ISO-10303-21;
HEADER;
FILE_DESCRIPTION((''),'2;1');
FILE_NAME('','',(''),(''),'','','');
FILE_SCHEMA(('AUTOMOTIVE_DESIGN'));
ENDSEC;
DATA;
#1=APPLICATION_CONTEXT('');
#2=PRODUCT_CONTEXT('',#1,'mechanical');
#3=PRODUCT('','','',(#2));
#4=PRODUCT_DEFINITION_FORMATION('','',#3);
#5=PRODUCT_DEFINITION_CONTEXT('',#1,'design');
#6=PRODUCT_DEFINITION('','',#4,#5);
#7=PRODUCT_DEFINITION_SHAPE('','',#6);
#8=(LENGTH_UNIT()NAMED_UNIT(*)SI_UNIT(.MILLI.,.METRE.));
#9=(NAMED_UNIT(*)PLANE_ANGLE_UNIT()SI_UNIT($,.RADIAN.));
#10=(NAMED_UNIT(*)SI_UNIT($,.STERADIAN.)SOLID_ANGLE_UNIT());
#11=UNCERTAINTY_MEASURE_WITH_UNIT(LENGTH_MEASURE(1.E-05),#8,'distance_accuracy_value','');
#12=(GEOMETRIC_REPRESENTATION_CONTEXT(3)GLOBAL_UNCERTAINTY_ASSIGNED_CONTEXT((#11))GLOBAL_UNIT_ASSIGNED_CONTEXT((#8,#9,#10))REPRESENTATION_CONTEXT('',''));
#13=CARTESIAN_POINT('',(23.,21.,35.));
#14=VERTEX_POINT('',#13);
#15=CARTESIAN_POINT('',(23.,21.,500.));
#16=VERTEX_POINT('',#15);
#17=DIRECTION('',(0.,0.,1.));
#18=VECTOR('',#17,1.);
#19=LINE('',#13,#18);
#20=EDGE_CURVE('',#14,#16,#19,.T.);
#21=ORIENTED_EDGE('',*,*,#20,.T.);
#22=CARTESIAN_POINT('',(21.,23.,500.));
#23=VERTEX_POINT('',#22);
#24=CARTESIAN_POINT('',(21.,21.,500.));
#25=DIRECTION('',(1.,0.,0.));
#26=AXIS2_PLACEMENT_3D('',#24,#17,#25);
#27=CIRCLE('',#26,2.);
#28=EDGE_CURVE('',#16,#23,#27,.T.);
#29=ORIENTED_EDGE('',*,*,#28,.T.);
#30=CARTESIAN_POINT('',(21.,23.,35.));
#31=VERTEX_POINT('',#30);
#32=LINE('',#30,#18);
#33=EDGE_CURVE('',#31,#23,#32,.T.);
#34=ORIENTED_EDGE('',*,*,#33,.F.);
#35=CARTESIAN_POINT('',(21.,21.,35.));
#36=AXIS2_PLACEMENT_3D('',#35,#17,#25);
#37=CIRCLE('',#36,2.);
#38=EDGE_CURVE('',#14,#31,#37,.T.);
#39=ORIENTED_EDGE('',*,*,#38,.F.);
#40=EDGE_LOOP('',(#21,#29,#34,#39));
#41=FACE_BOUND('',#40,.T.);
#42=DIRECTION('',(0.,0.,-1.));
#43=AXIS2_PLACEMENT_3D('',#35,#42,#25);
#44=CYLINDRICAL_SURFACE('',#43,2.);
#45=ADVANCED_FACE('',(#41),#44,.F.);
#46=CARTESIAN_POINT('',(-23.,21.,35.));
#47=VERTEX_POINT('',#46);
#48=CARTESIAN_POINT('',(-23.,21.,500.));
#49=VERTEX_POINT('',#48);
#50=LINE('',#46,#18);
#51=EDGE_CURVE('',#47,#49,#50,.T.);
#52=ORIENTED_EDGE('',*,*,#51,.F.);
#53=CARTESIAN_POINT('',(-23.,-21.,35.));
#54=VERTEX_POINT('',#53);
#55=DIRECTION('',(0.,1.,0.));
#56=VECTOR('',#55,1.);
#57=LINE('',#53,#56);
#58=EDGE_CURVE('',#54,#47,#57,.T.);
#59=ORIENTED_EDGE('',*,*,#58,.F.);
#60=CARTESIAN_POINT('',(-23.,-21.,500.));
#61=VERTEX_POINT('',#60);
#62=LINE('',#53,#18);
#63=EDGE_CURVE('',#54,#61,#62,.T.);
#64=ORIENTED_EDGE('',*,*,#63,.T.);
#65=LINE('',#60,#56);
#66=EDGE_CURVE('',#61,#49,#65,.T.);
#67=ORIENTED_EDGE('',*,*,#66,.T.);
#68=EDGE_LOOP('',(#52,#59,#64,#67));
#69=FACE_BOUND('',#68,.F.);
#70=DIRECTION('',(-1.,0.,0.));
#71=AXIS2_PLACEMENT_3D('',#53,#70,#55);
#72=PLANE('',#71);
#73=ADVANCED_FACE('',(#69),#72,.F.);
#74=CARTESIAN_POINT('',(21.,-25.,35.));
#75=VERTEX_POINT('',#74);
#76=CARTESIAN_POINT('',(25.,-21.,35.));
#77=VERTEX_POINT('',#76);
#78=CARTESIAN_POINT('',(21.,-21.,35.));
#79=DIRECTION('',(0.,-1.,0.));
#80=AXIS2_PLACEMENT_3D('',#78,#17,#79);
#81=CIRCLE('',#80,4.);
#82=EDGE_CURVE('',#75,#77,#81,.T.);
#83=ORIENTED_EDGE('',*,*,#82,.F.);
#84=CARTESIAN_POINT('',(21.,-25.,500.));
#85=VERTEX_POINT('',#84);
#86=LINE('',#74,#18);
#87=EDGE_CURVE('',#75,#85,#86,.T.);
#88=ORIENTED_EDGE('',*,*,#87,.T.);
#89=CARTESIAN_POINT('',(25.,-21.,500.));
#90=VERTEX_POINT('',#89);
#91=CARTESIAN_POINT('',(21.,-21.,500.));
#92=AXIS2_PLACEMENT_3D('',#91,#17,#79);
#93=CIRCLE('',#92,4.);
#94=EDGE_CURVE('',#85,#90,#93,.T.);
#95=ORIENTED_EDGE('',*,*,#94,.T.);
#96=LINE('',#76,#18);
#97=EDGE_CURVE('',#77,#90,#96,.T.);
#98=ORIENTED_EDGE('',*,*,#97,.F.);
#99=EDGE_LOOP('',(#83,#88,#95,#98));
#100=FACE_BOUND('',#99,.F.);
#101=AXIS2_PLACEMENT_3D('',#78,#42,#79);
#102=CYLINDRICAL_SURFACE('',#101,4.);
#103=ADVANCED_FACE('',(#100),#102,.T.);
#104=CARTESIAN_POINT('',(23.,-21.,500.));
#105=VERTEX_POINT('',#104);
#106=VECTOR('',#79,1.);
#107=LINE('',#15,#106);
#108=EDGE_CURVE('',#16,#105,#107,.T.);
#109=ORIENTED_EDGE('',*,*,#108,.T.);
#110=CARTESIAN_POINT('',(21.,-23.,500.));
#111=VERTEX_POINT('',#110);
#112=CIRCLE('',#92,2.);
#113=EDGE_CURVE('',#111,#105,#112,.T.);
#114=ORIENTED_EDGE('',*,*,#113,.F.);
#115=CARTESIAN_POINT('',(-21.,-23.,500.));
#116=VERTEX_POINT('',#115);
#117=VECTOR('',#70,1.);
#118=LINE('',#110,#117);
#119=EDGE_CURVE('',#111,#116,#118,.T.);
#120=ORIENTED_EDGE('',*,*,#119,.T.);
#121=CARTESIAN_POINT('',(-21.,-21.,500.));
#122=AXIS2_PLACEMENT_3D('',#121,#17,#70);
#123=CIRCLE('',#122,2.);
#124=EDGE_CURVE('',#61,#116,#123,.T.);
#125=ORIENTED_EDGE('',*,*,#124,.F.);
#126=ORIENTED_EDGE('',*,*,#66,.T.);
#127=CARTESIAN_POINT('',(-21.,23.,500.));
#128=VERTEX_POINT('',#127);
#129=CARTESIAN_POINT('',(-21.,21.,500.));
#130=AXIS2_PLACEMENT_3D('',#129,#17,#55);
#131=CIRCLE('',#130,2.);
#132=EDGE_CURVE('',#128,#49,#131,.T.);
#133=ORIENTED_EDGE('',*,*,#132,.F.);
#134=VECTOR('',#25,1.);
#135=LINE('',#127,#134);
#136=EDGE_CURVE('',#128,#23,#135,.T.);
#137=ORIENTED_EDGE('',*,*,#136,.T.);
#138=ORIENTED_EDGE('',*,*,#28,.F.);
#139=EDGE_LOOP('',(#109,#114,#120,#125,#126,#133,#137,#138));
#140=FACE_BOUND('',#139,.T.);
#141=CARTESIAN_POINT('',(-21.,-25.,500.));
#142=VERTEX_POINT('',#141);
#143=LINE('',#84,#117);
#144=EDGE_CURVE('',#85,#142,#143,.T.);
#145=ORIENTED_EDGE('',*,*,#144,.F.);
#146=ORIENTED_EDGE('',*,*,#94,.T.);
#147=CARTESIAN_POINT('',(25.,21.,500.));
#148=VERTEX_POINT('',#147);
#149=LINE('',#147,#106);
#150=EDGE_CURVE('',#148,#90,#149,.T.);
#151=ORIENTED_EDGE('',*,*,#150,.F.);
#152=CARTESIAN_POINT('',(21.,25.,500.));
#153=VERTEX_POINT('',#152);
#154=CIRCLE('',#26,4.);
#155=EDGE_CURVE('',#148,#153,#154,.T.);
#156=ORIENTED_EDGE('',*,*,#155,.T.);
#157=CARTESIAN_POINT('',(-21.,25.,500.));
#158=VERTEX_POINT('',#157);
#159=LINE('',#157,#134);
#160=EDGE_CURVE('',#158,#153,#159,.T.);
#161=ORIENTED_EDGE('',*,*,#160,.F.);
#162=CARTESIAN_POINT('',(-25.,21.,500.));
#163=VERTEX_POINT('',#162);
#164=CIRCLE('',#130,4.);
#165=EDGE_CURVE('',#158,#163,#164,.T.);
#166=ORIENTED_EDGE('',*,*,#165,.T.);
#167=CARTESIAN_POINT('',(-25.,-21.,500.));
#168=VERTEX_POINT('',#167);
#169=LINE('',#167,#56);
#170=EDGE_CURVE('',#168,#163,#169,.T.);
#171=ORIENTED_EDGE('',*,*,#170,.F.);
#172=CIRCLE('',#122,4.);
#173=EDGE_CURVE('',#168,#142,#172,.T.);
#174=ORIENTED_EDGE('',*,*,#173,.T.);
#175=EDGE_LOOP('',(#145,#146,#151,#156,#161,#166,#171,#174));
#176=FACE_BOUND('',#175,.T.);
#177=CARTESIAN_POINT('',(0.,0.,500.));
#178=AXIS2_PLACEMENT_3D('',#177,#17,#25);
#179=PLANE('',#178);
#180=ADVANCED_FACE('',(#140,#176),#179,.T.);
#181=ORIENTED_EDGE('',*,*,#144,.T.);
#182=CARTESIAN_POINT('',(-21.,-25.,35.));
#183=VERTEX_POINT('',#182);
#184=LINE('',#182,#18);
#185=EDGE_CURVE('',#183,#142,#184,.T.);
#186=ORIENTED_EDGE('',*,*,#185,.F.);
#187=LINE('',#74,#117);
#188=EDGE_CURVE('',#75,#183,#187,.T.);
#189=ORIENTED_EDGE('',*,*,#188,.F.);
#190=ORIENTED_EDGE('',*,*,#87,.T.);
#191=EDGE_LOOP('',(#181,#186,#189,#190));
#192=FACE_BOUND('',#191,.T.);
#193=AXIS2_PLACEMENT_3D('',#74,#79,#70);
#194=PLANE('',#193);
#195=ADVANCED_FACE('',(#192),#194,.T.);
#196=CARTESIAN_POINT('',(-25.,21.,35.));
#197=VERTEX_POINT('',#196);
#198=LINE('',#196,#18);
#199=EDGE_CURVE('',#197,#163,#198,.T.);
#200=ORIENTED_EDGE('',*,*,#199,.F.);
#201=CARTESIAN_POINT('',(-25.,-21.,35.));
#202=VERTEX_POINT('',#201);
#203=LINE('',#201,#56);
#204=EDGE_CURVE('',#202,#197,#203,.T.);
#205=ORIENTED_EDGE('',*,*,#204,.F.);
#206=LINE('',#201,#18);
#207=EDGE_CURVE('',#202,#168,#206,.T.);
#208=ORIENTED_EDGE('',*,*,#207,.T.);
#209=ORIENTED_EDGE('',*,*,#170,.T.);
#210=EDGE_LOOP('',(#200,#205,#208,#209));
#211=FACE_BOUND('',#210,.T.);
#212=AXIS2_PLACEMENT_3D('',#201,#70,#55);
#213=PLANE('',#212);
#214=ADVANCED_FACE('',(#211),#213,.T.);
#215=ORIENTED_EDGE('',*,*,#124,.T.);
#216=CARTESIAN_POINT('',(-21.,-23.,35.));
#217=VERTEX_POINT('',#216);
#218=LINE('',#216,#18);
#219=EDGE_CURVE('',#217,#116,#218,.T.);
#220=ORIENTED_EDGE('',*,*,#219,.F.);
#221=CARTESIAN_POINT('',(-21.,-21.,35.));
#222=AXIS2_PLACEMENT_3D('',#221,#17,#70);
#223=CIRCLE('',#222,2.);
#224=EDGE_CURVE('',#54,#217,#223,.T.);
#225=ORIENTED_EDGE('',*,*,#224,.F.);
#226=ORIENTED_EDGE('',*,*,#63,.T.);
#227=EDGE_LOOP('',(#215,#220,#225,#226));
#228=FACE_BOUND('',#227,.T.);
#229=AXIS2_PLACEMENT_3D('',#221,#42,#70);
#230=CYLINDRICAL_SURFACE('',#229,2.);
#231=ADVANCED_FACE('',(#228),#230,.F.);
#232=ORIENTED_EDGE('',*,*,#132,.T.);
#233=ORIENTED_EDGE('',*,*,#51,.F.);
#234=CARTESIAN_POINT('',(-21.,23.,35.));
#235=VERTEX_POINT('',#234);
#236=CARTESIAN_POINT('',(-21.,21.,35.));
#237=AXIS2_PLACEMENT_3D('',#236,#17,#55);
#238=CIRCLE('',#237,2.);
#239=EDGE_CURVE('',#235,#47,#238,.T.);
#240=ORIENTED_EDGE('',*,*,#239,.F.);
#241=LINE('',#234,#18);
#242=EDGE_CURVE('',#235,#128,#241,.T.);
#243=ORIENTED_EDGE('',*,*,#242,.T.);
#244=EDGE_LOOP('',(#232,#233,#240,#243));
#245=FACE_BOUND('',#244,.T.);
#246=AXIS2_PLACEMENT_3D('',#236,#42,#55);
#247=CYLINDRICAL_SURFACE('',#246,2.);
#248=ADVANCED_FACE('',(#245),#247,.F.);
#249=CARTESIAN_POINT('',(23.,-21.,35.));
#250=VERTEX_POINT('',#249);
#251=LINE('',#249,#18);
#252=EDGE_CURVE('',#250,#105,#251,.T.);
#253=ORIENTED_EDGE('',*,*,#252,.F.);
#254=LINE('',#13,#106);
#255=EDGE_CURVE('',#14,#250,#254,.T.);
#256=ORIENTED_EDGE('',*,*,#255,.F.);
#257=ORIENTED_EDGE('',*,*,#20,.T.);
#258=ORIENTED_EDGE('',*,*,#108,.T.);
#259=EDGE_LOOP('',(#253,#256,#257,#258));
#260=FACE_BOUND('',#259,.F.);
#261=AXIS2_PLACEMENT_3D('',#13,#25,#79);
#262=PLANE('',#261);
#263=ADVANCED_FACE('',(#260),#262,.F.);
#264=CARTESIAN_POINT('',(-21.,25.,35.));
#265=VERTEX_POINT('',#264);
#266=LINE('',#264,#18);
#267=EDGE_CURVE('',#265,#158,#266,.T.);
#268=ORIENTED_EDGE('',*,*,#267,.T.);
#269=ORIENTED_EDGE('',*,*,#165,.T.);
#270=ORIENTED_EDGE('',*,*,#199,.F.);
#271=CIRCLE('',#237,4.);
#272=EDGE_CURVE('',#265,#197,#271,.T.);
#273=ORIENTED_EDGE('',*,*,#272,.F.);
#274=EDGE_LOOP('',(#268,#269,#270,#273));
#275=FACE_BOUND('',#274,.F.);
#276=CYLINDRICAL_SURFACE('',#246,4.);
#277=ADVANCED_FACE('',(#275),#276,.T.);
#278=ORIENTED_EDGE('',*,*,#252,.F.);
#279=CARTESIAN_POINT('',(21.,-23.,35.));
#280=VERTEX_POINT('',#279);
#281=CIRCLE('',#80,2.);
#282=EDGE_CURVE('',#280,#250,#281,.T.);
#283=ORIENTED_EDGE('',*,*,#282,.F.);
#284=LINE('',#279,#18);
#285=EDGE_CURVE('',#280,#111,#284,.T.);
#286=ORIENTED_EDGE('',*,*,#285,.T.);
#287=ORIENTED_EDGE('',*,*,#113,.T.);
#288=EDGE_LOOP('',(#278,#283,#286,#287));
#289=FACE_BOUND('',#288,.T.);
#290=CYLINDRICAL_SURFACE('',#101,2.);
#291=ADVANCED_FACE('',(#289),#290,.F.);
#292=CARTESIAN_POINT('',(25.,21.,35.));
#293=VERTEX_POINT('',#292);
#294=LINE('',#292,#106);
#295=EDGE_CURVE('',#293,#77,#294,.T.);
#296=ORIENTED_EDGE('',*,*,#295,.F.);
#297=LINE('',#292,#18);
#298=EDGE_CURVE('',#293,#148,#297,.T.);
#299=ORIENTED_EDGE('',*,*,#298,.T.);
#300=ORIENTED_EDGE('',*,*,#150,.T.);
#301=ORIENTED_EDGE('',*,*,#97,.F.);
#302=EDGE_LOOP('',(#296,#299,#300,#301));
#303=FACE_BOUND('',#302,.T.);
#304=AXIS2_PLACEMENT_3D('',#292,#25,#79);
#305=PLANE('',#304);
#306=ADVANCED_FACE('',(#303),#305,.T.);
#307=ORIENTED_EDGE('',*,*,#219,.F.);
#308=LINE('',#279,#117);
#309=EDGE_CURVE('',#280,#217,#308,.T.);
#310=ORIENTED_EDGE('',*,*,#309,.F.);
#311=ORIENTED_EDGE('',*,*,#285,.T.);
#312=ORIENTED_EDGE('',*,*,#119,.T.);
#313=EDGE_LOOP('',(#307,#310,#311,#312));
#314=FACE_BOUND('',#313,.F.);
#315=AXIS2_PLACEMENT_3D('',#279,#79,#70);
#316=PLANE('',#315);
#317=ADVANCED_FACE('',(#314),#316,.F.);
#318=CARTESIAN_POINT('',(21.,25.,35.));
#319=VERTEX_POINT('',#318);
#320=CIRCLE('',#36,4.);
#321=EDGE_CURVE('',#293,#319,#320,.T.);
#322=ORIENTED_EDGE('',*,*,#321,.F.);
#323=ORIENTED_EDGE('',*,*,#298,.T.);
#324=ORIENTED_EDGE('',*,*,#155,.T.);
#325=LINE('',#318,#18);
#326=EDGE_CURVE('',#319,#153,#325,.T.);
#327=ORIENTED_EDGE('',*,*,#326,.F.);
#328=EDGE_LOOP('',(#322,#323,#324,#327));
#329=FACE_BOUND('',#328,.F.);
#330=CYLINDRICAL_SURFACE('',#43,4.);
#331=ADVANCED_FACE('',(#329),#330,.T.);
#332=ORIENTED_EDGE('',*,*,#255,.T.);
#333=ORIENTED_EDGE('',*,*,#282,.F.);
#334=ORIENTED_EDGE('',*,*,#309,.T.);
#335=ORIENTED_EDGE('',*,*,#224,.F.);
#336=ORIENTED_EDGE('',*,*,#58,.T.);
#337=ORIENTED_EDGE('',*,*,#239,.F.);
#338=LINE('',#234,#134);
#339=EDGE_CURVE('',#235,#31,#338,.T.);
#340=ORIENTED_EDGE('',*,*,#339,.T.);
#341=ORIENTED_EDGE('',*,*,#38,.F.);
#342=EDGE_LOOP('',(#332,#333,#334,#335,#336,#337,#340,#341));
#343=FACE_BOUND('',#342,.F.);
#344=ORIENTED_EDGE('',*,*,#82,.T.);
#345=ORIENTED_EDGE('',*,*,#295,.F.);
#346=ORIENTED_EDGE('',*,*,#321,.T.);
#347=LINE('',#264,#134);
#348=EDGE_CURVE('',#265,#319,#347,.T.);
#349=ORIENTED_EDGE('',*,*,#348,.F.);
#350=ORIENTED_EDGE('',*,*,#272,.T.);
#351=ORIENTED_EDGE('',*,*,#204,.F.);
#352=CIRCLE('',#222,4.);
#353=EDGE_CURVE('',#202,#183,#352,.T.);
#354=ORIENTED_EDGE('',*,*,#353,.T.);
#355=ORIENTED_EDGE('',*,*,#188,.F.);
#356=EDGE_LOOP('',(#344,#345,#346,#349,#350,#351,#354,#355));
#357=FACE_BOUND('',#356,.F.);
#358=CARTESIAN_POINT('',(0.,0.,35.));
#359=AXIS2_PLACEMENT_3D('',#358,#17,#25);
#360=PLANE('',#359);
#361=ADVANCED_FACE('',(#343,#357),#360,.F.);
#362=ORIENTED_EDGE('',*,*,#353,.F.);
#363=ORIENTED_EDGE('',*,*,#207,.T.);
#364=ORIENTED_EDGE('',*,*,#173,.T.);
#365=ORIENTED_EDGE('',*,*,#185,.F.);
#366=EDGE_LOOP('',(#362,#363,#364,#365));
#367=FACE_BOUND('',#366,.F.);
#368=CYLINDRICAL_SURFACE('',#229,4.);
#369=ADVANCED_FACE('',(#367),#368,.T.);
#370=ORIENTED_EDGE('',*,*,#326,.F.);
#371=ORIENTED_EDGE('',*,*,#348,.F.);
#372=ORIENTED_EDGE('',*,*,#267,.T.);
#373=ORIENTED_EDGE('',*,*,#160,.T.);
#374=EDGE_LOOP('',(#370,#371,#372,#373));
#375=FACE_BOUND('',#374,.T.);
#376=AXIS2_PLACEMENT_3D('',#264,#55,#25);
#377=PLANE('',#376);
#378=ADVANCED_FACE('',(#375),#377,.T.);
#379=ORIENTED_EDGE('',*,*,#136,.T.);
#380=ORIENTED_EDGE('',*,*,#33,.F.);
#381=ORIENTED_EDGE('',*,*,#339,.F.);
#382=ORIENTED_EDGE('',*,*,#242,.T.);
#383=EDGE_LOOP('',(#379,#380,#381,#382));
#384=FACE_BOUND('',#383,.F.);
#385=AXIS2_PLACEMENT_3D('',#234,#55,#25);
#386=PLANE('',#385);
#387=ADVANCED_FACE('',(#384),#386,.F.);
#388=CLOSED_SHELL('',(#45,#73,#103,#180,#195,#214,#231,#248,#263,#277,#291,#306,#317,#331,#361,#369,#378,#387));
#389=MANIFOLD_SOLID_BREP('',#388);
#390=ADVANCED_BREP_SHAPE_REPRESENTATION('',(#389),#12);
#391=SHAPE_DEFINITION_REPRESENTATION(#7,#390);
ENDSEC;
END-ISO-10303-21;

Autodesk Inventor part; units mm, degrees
ref_plane "Plano inicial" through (0, 0, 35) normal (0, 0, 1) x (1, 0, 0)
ref_plane "Plano final" through (0, 0, 500) normal (0, 0, 1) x (1, 0, 0)
sketch "Boceto" plane through (0, 0, 0) normal (0, 0, 1) x (1, 0, 0)
  line L0 (-25, -21) -> (-25, 21)
  line L1 (-21, 25) -> (21, 25)
  line L2 (25, 21) -> (25, -21)
  line L3 (21, -25) -> (-21, -25)
  arc A0 (-25, -21) -> (-21, -25) centre (-21, -21) ccw
  arc A1 (25, 21) -> (21, 25) centre (21, 21) ccw
  arc A2 (-21, 25) -> (-25, 21) centre (-21, 21) ccw
  arc A3 (21, -25) -> (25, -21) centre (21, -21) ccw
  arc A4 (-21, 23) -> (-23, 21) centre (-21, 21) ccw
  line L4 (-21, 23) -> (21, 23)
  arc A5 (23, 21) -> (21, 23) centre (21, 21) ccw
  line L5 (23, 21) -> (23, -21)
  arc A6 (21, -23) -> (23, -21) centre (21, -21) ccw
  line L6 (21, -23) -> (-21, -23)
  arc A7 (-23, -21) -> (-21, -23) centre (-21, -21) ccw
  line L7 (-23, -21) -> (-23, 21)
  line L8 (0, 36.1598) -> (0, -36.1598) construction
  line L9 (-36.1598, 0) -> (36.1598, 0) construction
  dimension "d7" = 4
  dimension "d9" = 50
  dimension "d11" = 50
  dimension "d12" = 2
  dimension "d15" = 25
  dimension "d16" = 25
extrude "Cuerpo" add sketch "Boceto" along normal up to surface (465 mm away) from surface at 35
sketch "Sketch3" plane through (0, 0, 0) normal (0, 0, 1) x (1, 0, 0)
  line L0 (0, 0) -> (10, 0)
ref_plane "Work Plane3" through (0, 0, 0) normal (0, -1, 0) x (1, 0, 0)
sketch "Sketch4" plane through (0, 0, 0) normal (0, -1, 0) x (1, 0, 0)
  line L0 (-2, 35) -> (12, 35)
  line L1 (-2, 500) -> (12, 500)
  dimension "d18" = 465
ref_plane "Plano de trabajo4" through (130, 29, 35) normal (0, 0, -1) x (-1, 0, 0)
split "Dividir1" plane through (130, 29, 35) removes the side toward (0, 0, -1)
equation "\"d7\" = G_IR"
equation "\"d9\" = G_W"
equation "\"d11\" = G_H"
equation "\"d12\" = G_T"
equation "\"d15\" = 0.5 * d9"
equation "\"d16\" = 0.5 * d11"
equation "\"d3\" = G_L"
equation "\"G_W\" = 50"
equation "\"G_H\" = 50"
equation "\"G_T\" = 2"
equation "\"G_IR\" = 4"
equation "\"G_L\" = d18"
equation "\"G_OFFSET_START\" = -35"
equation "\"G_OFFSET_END\" = 0"
equation "\"d13\" = -G_OFFSET_START"
properties part number "ISO 10799-2 - 50x50x2 - 465" material "Galvanizado catalogo 1"
